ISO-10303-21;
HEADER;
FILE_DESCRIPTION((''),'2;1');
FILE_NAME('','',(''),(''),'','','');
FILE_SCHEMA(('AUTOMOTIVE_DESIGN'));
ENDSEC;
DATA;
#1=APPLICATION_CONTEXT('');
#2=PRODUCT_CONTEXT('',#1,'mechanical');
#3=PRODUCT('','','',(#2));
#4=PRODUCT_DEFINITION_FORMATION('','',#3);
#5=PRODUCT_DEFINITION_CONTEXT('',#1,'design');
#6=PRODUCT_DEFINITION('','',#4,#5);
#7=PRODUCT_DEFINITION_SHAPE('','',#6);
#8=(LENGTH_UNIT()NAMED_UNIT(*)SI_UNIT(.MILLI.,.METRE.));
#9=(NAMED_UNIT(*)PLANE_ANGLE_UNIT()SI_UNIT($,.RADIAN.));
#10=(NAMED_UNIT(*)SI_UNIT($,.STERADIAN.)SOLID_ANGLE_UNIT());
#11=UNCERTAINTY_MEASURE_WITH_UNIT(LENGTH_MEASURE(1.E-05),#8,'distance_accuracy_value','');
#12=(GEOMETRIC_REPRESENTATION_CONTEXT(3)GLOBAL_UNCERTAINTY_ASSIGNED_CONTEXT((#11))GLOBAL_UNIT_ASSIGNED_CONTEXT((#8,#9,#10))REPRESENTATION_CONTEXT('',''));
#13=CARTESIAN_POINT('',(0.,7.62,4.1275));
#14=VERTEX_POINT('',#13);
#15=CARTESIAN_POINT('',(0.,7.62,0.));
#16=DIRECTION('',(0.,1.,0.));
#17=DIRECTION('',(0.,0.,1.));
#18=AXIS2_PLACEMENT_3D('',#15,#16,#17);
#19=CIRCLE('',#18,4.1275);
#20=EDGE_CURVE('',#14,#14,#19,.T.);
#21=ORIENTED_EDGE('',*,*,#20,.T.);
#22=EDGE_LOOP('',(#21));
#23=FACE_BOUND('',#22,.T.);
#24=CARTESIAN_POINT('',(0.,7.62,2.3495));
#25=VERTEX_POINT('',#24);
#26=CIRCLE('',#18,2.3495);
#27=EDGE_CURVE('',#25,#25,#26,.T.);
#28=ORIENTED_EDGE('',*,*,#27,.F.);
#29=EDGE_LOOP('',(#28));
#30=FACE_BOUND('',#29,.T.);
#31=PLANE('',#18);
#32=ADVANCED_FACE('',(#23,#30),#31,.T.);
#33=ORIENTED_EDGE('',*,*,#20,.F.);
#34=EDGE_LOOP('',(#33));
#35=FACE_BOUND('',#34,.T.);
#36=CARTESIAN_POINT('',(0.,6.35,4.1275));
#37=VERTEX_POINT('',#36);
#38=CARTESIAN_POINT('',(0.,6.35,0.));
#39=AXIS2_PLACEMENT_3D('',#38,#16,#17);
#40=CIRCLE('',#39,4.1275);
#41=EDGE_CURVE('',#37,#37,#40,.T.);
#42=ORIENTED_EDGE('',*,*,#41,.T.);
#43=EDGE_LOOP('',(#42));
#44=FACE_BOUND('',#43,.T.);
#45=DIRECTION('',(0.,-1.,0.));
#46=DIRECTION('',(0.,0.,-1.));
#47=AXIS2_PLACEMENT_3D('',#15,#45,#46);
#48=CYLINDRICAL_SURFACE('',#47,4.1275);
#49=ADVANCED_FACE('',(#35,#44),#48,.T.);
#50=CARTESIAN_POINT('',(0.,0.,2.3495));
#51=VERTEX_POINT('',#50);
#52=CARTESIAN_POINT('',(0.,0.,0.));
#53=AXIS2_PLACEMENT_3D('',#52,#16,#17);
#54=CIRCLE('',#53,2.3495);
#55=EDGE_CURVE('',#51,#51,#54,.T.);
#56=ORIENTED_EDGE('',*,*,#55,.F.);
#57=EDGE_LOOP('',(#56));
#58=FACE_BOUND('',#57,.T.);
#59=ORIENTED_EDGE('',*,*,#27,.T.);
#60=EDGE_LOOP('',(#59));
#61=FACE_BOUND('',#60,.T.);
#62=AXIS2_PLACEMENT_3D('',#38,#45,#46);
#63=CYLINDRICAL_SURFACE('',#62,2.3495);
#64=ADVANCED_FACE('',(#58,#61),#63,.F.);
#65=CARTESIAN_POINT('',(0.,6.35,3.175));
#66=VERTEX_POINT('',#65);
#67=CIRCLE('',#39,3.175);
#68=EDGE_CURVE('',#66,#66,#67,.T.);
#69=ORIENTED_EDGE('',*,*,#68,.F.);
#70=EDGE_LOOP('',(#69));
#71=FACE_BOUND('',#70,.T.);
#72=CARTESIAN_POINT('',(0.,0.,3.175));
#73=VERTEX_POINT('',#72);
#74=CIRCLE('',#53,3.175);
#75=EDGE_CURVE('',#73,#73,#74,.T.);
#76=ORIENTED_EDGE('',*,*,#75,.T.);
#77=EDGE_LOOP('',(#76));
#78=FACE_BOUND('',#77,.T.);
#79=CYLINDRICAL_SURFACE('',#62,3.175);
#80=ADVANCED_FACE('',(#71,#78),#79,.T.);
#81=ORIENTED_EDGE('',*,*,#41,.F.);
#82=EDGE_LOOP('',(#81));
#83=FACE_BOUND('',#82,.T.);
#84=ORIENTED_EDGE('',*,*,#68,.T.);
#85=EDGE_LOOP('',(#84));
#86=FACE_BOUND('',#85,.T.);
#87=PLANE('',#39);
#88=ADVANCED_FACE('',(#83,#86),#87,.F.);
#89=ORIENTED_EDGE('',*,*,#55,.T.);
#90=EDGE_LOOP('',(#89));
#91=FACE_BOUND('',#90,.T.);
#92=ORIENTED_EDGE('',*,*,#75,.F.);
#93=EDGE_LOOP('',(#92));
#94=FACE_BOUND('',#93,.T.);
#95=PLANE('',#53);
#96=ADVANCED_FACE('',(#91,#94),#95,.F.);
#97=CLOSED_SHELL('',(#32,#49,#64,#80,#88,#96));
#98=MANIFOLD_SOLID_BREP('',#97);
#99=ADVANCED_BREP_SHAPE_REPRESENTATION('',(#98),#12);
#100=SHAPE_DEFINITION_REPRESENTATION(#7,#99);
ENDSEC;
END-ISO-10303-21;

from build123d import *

# Parameters (mm, degrees)
SKETCH2_R           = 3.175
SKETCH2_R_2         = 2.3495
BOSS_EXTRUDE1_DEPTH = 6.35
SKETCH3_R           = 4.1275
SKETCH3_R_2         = 2.3495
BOSS_EXTRUDE2_DEPTH = 1.27


with BuildPart() as part:
    # Sketch2 → Boss-Extrude1 (new body)
    with BuildSketch(Plane(origin=(0, 0, 0), x_dir=(1, 0, 0), z_dir=(0, 1, 0))):
        with Locations(Location((0, 0, 0), (0, 0, 270))):
            Circle(SKETCH2_R)
        with Locations(Location((0, 0, 0), (0, 0, 270))):
            Circle(SKETCH2_R_2, mode=Mode.SUBTRACT)
    extrude(amount=BOSS_EXTRUDE1_DEPTH)

    # Sketch3 → Boss-Extrude2 (add)
    with BuildSketch(Plane(origin=(0, 6.35, 0), x_dir=(1, 0, 0), z_dir=(0, 1, 0))):
        with Locations(Location((0, 0, 0), (0, 0, 270))):
            Circle(SKETCH3_R)
        with Locations(Location((0, 0, 0), (0, 0, 270))):
            Circle(SKETCH3_R_2, mode=Mode.SUBTRACT)
    extrude(amount=BOSS_EXTRUDE2_DEPTH)


solid = part.part
